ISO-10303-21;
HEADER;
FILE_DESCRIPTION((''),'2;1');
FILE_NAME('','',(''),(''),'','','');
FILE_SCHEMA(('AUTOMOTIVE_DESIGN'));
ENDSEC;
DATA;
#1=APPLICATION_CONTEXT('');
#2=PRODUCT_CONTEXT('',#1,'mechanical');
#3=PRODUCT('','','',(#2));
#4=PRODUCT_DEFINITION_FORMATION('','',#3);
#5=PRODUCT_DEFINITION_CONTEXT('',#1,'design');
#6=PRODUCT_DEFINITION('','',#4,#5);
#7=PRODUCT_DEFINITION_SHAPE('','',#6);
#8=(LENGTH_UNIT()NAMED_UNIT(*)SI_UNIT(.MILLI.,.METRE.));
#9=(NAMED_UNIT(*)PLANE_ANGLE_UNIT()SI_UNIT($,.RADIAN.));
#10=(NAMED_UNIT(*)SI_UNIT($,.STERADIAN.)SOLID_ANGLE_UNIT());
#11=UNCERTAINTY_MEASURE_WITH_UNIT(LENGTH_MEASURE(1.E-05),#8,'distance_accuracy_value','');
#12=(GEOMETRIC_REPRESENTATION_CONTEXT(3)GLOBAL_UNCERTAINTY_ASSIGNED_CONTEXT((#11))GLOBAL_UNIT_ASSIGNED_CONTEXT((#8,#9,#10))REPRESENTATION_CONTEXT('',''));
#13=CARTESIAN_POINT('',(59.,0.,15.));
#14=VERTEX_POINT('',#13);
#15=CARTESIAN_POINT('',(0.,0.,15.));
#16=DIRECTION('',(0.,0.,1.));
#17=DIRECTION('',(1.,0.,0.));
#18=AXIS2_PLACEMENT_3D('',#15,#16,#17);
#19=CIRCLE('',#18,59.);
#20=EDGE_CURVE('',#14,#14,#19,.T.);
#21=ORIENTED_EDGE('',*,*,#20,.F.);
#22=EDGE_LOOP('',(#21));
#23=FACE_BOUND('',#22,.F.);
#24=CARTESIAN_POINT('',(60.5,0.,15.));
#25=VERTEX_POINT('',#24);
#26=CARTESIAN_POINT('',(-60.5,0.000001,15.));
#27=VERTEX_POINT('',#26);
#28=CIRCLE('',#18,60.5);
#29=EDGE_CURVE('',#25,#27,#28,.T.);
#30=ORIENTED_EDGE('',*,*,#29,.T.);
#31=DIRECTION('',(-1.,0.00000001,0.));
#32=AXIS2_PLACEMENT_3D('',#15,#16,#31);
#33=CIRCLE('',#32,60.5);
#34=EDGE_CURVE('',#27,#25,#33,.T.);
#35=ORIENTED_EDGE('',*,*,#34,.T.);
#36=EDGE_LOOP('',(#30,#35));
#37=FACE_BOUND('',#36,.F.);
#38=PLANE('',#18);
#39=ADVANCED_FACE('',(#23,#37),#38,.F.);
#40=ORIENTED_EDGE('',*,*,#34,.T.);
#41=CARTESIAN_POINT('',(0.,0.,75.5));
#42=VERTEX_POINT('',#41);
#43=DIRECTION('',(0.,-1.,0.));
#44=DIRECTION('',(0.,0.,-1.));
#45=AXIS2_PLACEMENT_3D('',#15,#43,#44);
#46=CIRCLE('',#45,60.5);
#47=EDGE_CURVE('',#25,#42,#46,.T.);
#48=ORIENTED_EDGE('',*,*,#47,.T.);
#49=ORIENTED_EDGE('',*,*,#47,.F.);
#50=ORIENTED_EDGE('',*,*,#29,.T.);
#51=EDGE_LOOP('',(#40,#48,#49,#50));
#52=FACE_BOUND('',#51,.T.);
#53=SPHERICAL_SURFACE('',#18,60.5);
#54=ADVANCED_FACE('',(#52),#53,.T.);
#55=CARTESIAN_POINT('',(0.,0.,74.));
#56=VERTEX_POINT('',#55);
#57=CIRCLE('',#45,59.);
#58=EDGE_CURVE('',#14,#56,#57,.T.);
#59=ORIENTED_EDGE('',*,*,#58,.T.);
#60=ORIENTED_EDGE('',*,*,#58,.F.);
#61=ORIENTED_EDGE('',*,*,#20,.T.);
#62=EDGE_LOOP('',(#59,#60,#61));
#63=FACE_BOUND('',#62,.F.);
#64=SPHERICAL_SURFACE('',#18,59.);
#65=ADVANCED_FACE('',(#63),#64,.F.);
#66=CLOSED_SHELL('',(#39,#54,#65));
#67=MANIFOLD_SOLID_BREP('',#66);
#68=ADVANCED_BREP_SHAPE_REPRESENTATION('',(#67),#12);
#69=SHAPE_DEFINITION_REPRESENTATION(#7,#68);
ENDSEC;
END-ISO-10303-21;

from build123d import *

# Parameters (mm, degrees)
BOX013_W     = 121
BOX013_H     = 121
BOX013_DEPTH = 60.5


with BuildPart() as cockpitglasshalfcutter:
    # Box013 → Box013 (new body)
    with BuildSketch(Plane(origin=(-60.5, -60.5, -45.5), x_dir=(1, 0, 0), z_dir=(0, 0, 1))):
        with Locations((60.5, 60.5)):
            Rectangle(BOX013_W, BOX013_H)
    extrude(amount=BOX013_DEPTH)


with BuildPart() as cockpitglassinnercutter:
    # Sphere001 → Sphere001 (revolve)
    with BuildSketch(Plane(origin=(0, 0, 15), x_dir=(1, 0, 0), z_dir=(0, -1, 0))):
        with BuildLine():
            ThreePointArc((0, -59), (59, 0), (0, 59))
            Line((0, 59), (0, -59))
        make_face()
    revolve(axis=Axis((0, 0, 15), (0, 0, 1)))


with BuildPart() as cockpitglass1:
    # Sphere → Sphere (revolve)
    with BuildSketch(Plane(origin=(0, 0, 15), x_dir=(1, 0, 0), z_dir=(0, -1, 0))):
        with BuildLine():
            ThreePointArc((0, -60.5), (60.5, 0), (0, 60.5))
            Line((0, 60.5), (0, -60.5))
        make_face()
    revolve(axis=Axis((0, 0, 15), (0, 0, 1)))

    # Cut038: cut CockpitGlassInnerCutter
    add(cockpitglassinnercutter.part, mode=Mode.SUBTRACT)

    # Cut039: cut CockpitGlassHalfCutter
    add(cockpitglasshalfcutter.part, mode=Mode.SUBTRACT)


solid = cockpitglass1.part
